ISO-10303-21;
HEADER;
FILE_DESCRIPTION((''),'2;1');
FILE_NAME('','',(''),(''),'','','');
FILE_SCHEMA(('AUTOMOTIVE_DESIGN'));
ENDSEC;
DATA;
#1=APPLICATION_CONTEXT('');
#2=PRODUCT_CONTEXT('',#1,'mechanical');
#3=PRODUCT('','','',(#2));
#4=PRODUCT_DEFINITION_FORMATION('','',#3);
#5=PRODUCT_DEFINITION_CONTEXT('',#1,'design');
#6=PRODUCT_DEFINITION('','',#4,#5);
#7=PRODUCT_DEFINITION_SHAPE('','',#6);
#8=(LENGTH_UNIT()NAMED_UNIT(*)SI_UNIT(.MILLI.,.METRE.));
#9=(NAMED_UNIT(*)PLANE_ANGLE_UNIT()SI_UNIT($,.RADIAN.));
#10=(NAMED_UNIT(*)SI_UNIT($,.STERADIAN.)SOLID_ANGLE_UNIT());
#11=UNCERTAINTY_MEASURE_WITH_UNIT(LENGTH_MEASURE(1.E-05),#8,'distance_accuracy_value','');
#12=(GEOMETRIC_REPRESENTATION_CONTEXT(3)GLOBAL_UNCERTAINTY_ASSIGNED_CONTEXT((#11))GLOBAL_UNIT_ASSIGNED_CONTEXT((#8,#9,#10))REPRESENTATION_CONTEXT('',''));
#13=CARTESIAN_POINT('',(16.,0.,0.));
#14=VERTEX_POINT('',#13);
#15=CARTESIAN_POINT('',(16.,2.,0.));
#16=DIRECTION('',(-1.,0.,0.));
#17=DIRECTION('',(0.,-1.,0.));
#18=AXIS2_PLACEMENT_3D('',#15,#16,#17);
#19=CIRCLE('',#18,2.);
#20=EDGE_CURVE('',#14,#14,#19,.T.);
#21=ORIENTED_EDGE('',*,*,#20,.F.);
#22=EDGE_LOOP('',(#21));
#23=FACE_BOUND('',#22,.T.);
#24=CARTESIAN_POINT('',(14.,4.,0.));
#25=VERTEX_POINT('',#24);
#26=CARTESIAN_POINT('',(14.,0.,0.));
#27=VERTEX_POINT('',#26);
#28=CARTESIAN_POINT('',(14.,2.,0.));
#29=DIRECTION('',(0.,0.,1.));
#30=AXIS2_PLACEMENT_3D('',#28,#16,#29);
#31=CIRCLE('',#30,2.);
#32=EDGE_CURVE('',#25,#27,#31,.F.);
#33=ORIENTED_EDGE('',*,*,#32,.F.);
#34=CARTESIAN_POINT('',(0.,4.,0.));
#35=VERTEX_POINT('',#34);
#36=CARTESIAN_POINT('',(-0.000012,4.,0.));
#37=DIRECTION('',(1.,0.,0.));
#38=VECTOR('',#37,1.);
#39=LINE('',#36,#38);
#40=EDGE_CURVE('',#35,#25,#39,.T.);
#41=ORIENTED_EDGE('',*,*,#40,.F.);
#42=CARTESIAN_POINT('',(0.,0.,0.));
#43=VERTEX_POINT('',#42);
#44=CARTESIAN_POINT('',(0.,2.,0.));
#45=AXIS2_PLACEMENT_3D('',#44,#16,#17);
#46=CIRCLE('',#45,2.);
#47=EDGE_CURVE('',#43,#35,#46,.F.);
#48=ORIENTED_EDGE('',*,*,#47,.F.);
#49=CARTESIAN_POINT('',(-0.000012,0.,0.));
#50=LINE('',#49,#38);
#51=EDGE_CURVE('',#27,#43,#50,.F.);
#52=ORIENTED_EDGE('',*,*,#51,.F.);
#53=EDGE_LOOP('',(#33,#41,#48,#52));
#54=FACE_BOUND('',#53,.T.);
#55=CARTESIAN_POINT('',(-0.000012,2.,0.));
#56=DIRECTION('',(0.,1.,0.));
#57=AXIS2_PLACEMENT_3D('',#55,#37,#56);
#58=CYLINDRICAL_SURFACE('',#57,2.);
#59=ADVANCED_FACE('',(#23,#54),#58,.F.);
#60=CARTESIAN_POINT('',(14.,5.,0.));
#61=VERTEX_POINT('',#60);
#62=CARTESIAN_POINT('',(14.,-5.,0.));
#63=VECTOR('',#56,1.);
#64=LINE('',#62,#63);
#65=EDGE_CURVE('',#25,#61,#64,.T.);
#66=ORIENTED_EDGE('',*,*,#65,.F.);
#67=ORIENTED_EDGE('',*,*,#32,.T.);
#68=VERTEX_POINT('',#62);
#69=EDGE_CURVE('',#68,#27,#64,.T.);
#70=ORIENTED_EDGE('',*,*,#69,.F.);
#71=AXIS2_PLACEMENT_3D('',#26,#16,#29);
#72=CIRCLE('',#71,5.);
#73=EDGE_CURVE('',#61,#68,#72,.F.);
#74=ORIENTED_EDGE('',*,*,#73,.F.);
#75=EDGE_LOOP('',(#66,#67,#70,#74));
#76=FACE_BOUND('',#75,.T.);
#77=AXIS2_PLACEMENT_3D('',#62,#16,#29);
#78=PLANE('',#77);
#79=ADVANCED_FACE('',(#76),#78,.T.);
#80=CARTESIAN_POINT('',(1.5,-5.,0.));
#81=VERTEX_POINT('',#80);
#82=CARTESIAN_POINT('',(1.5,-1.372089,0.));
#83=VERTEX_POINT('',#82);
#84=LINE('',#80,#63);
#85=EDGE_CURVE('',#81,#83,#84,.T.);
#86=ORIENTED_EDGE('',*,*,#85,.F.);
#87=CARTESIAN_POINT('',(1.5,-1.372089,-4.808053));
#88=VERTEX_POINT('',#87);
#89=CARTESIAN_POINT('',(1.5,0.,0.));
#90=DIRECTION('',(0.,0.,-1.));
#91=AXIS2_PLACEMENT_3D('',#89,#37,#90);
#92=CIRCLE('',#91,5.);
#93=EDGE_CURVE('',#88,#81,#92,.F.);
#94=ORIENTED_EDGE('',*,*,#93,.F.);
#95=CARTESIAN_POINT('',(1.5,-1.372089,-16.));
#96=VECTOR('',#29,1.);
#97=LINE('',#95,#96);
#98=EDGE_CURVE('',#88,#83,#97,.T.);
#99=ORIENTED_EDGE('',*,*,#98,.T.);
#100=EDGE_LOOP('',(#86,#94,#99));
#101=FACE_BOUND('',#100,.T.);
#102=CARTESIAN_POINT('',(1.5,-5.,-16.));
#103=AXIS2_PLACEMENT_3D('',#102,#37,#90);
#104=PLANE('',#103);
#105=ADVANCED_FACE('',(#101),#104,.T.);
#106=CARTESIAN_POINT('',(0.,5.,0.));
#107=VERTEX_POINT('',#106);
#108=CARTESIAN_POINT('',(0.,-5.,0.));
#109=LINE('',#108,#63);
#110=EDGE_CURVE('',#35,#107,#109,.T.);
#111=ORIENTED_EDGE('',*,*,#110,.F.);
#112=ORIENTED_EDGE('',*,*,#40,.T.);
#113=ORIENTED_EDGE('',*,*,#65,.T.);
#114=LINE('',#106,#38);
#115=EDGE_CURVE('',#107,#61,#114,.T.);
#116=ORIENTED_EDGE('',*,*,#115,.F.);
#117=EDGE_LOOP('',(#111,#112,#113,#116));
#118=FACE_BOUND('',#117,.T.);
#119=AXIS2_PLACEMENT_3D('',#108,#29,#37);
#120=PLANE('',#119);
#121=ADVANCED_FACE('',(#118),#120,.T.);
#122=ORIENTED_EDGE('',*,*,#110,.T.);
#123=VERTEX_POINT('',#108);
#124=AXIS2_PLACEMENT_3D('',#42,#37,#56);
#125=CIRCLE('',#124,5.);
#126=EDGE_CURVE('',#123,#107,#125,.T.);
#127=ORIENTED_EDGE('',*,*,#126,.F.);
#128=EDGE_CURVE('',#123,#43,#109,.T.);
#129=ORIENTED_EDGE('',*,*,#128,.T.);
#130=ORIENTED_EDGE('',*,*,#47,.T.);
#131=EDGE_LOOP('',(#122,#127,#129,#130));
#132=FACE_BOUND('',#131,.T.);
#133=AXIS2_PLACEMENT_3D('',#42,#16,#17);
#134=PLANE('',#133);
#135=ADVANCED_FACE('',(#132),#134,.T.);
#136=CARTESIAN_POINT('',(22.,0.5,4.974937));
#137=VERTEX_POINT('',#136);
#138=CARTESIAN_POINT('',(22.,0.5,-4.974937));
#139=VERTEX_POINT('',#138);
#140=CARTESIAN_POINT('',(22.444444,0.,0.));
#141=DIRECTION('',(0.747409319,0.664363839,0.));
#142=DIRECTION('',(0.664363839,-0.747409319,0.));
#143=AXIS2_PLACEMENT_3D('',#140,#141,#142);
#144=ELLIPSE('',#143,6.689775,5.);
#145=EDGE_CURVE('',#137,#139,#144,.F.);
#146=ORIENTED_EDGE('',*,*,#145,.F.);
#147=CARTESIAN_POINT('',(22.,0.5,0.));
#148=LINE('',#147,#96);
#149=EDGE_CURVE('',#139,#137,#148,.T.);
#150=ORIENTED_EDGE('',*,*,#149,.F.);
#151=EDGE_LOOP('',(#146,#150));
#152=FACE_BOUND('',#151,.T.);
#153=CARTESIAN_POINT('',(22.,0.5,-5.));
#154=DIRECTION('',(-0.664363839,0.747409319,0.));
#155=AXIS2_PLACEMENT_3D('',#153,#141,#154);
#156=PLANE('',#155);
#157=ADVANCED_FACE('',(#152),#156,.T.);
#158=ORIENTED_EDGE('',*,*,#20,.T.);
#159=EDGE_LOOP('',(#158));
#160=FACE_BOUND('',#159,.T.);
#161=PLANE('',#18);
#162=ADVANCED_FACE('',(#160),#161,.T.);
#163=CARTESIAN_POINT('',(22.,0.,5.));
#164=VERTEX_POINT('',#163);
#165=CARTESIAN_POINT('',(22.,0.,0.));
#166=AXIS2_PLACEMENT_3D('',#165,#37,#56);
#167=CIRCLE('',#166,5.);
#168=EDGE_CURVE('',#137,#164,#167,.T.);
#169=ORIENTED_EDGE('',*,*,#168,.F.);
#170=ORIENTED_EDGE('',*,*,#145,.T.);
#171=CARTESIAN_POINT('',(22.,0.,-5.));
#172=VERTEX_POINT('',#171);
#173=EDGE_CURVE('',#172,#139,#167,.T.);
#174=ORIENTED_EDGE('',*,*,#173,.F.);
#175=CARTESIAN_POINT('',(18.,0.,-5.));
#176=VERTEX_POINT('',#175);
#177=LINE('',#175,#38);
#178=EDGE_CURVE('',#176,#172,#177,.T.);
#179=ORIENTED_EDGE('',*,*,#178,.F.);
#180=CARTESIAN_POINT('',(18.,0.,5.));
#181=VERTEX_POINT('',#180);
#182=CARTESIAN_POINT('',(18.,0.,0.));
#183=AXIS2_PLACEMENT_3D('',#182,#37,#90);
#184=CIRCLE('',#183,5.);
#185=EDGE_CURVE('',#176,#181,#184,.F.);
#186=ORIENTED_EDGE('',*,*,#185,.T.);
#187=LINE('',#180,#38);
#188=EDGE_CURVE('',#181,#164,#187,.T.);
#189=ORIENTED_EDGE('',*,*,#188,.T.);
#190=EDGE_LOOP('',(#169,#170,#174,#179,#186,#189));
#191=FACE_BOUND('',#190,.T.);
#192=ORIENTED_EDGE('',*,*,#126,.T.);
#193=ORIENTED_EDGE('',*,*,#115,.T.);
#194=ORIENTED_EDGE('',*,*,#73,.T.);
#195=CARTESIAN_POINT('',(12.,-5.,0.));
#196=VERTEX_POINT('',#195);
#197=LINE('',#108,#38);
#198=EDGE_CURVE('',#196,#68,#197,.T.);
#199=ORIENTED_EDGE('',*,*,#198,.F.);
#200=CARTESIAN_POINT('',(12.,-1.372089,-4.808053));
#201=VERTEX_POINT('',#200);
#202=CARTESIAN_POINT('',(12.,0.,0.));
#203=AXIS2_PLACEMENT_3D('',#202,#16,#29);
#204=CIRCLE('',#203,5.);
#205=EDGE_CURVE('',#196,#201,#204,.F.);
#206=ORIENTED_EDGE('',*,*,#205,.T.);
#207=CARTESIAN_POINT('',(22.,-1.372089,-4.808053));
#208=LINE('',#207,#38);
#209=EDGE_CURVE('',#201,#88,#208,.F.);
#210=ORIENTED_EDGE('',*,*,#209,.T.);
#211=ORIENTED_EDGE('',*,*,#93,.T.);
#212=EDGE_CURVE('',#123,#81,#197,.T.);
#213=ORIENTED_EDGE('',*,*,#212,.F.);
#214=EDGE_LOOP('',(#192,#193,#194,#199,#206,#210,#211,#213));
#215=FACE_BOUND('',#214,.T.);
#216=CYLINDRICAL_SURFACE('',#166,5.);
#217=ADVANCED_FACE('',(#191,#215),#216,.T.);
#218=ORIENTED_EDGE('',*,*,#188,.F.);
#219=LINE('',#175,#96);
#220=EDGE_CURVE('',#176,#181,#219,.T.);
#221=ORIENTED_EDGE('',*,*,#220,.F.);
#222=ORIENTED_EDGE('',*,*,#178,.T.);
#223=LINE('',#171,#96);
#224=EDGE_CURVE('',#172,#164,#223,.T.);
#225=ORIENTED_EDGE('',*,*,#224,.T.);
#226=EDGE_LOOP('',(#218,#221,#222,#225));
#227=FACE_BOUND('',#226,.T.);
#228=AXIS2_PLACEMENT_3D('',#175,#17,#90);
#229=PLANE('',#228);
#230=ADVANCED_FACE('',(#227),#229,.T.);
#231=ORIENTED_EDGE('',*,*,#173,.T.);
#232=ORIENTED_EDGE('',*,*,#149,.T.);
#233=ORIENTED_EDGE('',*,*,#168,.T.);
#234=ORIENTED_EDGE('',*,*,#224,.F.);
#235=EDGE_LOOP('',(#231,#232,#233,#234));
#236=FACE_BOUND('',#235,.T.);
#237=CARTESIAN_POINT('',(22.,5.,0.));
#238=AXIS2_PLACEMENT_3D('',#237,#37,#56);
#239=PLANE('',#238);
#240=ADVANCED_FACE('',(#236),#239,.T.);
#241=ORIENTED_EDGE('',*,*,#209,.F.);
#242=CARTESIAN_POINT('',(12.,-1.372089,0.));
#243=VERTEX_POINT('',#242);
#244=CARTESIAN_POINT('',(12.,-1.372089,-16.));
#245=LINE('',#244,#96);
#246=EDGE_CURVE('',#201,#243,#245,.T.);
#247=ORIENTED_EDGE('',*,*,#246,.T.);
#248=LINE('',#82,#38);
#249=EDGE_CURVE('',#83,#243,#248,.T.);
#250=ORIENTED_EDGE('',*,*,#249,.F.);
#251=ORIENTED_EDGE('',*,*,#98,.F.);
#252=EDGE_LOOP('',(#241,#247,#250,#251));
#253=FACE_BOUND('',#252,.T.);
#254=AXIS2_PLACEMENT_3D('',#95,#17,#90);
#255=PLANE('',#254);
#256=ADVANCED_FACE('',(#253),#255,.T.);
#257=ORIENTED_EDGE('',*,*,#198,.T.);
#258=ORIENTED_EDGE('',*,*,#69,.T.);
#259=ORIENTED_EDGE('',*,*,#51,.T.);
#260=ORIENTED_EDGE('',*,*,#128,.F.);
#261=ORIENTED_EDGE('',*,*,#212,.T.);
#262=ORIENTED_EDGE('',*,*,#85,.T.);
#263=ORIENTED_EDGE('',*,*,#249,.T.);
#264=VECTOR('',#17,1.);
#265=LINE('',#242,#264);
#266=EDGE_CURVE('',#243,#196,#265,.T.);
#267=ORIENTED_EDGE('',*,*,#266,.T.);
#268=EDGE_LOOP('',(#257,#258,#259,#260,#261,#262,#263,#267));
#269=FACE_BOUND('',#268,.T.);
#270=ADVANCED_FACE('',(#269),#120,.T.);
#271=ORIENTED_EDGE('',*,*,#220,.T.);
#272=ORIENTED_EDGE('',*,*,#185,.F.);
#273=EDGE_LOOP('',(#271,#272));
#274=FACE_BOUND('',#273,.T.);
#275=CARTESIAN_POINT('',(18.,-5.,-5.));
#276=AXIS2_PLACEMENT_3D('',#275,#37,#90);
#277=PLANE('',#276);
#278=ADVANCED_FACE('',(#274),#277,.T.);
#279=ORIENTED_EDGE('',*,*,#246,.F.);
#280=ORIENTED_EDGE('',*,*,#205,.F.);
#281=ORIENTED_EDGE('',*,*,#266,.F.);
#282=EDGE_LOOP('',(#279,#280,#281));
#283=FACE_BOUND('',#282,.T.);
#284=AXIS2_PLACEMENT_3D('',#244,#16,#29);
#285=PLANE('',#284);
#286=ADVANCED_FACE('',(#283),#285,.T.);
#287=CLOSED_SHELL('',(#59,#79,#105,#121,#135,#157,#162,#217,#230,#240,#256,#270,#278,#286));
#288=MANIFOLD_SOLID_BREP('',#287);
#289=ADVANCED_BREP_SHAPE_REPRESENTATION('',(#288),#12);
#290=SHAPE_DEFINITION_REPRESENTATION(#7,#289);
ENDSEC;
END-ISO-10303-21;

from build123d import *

# Parameters (mm, degrees)
SKETCH_1_W               = 22
SKETCH_1_H               = 5
CUT_EXTRUDE_1_DEPTH      = 24.108440017
CUT_EXTRUDE_1_DEPTH_BACK = 24.108440017
SKETCH_3_W               = 4
SKETCH_3_H               = 5
CUT_EXTRUDE_4_DEPTH      = 24.108440017
CUT_EXTRUDE_4_DEPTH_BACK = 24.108440017
SKETCH_4_W               = 14
SKETCH_4_H               = 5
CUT_EXTRUDE_5_DEPTH      = 24.108440017
CUT_EXTRUDE_5_DEPTH_BACK = 16
SKETCH_5_R               = 2
SKETCH_6_W               = 10.5
SKETCH_6_H               = 3.627911102
CUT_EXTRUDE_6_DEPTH      = 16


with BuildPart() as part:
    # 草图1 → 旋转1 (revolve)
    with BuildSketch(Plane.XY):
        with Locations((11, 2.5)):
            Rectangle(SKETCH_1_W, SKETCH_1_H)
    revolve(axis=Axis((22, 0, 0), (-1, 0, 0)))

    # 草图3 → 切除-拉伸1 (cut, two sides: drawn at the far end of the back side and taken through both)
    with BuildSketch(Plane.XY.offset(-CUT_EXTRUDE_1_DEPTH_BACK)):
        with Locations((20, -2.5)):
            Rectangle(SKETCH_3_W, SKETCH_3_H)
        Polygon((22, 0.5), (18, 5), (22, 5), align=None)
    extrude(amount=CUT_EXTRUDE_1_DEPTH + CUT_EXTRUDE_1_DEPTH_BACK, mode=Mode.SUBTRACT)

    # 草图4 → 切除-拉伸4 (cut, two sides: drawn at the far end of the back side and taken through both)
    with BuildSketch(Plane(origin=(0, 0, 0), x_dir=(1, 0, 0), z_dir=(0, 1, 0)).offset(-CUT_EXTRUDE_4_DEPTH_BACK)):
        with Locations((7, -2.5)):
            Rectangle(SKETCH_4_W, SKETCH_4_H)
    extrude(amount=CUT_EXTRUDE_4_DEPTH + CUT_EXTRUDE_4_DEPTH_BACK, mode=Mode.SUBTRACT)

    # 草图5 → 切除-拉伸5 (cut, two sides: drawn at the far end of the back side and taken through both)
    with BuildSketch(Plane.ZY.offset(-CUT_EXTRUDE_5_DEPTH_BACK)):
        with Locations(Location((0, 2, 0), (0, 0, 270))):
            Circle(SKETCH_5_R)
    extrude(amount=CUT_EXTRUDE_5_DEPTH + CUT_EXTRUDE_5_DEPTH_BACK, mode=Mode.SUBTRACT)

    # 草图6 → 切除-拉伸6 (cut)
    with BuildSketch(Plane.XY):
        with Locations((6.75, -3.186044449)):
            Rectangle(SKETCH_6_W, SKETCH_6_H)
    extrude(amount=-CUT_EXTRUDE_6_DEPTH, mode=Mode.SUBTRACT)


solid = part.part
